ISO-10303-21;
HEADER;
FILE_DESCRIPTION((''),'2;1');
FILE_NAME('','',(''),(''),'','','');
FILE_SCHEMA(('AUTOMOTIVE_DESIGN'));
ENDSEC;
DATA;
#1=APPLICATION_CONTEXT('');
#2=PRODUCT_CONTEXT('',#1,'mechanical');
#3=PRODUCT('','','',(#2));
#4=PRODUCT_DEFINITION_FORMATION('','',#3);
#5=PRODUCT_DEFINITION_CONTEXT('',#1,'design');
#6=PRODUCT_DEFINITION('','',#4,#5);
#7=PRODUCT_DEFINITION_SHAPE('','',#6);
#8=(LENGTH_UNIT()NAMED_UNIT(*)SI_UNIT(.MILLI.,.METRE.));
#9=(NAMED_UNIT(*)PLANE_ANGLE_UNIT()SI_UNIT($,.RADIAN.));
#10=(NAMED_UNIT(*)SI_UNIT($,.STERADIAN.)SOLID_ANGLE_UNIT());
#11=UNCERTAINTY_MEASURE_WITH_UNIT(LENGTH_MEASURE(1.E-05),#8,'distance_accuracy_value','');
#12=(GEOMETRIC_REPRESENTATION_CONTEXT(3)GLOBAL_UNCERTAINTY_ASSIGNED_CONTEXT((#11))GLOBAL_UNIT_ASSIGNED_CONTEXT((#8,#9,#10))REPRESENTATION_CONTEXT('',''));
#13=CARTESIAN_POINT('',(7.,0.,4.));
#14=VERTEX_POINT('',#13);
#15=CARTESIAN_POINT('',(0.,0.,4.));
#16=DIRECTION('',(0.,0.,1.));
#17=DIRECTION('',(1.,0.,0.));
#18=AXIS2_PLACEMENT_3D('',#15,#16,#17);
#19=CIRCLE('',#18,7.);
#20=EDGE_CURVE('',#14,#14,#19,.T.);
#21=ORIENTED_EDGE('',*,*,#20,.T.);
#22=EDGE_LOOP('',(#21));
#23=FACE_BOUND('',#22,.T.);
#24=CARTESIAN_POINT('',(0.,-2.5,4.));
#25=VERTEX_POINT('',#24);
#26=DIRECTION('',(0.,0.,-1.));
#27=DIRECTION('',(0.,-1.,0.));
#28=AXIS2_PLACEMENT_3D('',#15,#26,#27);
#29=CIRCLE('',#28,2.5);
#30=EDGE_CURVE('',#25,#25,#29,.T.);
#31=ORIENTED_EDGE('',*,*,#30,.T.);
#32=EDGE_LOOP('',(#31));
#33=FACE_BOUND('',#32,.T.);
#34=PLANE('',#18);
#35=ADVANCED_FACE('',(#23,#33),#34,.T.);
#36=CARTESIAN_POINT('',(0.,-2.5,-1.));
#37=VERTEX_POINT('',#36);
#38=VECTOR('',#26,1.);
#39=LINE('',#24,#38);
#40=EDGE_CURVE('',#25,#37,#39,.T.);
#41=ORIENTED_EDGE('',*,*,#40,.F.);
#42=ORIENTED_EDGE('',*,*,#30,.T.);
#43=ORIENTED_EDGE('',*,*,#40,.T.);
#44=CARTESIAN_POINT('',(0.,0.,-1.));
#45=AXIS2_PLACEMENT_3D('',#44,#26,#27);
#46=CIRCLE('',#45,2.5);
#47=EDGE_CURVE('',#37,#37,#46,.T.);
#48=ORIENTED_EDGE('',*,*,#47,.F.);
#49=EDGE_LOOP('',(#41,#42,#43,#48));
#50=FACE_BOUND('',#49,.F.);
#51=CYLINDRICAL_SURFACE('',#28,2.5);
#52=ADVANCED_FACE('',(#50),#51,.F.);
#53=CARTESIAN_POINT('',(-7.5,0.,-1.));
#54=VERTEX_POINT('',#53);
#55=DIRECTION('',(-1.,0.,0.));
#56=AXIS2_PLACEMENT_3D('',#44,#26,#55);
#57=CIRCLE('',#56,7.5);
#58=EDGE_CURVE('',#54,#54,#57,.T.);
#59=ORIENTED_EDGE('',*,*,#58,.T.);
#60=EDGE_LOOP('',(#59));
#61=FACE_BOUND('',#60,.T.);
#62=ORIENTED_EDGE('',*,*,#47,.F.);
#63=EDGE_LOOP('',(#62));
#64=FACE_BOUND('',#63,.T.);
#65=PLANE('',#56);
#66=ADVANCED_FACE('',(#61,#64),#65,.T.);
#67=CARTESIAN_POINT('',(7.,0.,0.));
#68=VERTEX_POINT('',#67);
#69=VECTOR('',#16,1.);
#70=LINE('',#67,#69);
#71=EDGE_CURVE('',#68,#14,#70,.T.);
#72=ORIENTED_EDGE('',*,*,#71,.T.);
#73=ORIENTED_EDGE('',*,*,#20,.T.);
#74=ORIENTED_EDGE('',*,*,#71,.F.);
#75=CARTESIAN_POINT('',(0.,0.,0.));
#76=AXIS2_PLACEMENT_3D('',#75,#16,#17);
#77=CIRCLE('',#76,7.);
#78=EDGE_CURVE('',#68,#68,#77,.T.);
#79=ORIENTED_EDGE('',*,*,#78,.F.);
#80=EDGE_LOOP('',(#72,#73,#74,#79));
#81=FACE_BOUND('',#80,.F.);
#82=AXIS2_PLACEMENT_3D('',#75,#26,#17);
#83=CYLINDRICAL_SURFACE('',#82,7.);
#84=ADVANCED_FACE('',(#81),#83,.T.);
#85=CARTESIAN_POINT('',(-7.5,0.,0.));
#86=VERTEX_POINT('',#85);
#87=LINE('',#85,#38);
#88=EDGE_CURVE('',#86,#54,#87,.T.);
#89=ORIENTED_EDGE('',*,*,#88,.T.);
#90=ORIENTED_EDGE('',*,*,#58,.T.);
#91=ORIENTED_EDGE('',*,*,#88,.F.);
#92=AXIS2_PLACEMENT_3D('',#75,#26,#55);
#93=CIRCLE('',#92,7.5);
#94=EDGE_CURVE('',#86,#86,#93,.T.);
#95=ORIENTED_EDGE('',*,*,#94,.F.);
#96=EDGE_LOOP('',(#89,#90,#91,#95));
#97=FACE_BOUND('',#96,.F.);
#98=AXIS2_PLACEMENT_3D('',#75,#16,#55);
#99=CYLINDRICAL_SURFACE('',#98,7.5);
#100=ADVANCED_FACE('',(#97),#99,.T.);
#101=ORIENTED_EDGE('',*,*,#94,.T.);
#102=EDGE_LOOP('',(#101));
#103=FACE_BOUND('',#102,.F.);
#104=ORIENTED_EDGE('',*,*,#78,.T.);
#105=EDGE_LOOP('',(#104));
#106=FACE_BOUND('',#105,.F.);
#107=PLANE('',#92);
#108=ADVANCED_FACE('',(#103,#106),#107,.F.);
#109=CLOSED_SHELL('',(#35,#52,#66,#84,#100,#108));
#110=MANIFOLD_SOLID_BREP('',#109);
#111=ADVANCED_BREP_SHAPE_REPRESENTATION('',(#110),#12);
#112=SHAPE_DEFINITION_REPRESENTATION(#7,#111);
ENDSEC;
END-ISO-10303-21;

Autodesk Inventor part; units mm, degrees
ref_plane "YZ Plane" through (0, 0, 0) normal (1, 0, 0) x (0, 1, 0)
ref_plane "XZ Plane" through (0, 0, 0) normal (0, 1, 0) x (-1, 0, 0)
ref_plane "XY Plane" through (0, 0, 0) normal (0, 0, 1) x (1, 0, 0)
sketch "スケッチ1" plane through (0, 0, 0) normal (0, 0, 1) x (1, 0, 0)
  circle A0 centre (0, 0) radius 7
  dimension "d0" = 14
extrude "押し出し1" add sketch "スケッチ1" along normal blind 4
sketch "スケッチ2" plane through (0, 0, 0) normal (0, 0, -1) x (-1, 0, 0)
  circle A0 centre (0, 0) radius 7.5
  dimension "d3" = 15
extrude "押し出し2" add sketch "スケッチ2" along normal blind 1
sketch "スケッチ3" plane through (0, 0, 4) normal (0, 0, 1) x (1, 0, 0)
  point P0 (0, 0)
  point P1 (0, 0)
hole "穴1" at (0, 0, 4) direction (0, 0, -1) diameter 5 depth 5 tip angle 118
properties part number "玉軸受1 F605ZZ"
